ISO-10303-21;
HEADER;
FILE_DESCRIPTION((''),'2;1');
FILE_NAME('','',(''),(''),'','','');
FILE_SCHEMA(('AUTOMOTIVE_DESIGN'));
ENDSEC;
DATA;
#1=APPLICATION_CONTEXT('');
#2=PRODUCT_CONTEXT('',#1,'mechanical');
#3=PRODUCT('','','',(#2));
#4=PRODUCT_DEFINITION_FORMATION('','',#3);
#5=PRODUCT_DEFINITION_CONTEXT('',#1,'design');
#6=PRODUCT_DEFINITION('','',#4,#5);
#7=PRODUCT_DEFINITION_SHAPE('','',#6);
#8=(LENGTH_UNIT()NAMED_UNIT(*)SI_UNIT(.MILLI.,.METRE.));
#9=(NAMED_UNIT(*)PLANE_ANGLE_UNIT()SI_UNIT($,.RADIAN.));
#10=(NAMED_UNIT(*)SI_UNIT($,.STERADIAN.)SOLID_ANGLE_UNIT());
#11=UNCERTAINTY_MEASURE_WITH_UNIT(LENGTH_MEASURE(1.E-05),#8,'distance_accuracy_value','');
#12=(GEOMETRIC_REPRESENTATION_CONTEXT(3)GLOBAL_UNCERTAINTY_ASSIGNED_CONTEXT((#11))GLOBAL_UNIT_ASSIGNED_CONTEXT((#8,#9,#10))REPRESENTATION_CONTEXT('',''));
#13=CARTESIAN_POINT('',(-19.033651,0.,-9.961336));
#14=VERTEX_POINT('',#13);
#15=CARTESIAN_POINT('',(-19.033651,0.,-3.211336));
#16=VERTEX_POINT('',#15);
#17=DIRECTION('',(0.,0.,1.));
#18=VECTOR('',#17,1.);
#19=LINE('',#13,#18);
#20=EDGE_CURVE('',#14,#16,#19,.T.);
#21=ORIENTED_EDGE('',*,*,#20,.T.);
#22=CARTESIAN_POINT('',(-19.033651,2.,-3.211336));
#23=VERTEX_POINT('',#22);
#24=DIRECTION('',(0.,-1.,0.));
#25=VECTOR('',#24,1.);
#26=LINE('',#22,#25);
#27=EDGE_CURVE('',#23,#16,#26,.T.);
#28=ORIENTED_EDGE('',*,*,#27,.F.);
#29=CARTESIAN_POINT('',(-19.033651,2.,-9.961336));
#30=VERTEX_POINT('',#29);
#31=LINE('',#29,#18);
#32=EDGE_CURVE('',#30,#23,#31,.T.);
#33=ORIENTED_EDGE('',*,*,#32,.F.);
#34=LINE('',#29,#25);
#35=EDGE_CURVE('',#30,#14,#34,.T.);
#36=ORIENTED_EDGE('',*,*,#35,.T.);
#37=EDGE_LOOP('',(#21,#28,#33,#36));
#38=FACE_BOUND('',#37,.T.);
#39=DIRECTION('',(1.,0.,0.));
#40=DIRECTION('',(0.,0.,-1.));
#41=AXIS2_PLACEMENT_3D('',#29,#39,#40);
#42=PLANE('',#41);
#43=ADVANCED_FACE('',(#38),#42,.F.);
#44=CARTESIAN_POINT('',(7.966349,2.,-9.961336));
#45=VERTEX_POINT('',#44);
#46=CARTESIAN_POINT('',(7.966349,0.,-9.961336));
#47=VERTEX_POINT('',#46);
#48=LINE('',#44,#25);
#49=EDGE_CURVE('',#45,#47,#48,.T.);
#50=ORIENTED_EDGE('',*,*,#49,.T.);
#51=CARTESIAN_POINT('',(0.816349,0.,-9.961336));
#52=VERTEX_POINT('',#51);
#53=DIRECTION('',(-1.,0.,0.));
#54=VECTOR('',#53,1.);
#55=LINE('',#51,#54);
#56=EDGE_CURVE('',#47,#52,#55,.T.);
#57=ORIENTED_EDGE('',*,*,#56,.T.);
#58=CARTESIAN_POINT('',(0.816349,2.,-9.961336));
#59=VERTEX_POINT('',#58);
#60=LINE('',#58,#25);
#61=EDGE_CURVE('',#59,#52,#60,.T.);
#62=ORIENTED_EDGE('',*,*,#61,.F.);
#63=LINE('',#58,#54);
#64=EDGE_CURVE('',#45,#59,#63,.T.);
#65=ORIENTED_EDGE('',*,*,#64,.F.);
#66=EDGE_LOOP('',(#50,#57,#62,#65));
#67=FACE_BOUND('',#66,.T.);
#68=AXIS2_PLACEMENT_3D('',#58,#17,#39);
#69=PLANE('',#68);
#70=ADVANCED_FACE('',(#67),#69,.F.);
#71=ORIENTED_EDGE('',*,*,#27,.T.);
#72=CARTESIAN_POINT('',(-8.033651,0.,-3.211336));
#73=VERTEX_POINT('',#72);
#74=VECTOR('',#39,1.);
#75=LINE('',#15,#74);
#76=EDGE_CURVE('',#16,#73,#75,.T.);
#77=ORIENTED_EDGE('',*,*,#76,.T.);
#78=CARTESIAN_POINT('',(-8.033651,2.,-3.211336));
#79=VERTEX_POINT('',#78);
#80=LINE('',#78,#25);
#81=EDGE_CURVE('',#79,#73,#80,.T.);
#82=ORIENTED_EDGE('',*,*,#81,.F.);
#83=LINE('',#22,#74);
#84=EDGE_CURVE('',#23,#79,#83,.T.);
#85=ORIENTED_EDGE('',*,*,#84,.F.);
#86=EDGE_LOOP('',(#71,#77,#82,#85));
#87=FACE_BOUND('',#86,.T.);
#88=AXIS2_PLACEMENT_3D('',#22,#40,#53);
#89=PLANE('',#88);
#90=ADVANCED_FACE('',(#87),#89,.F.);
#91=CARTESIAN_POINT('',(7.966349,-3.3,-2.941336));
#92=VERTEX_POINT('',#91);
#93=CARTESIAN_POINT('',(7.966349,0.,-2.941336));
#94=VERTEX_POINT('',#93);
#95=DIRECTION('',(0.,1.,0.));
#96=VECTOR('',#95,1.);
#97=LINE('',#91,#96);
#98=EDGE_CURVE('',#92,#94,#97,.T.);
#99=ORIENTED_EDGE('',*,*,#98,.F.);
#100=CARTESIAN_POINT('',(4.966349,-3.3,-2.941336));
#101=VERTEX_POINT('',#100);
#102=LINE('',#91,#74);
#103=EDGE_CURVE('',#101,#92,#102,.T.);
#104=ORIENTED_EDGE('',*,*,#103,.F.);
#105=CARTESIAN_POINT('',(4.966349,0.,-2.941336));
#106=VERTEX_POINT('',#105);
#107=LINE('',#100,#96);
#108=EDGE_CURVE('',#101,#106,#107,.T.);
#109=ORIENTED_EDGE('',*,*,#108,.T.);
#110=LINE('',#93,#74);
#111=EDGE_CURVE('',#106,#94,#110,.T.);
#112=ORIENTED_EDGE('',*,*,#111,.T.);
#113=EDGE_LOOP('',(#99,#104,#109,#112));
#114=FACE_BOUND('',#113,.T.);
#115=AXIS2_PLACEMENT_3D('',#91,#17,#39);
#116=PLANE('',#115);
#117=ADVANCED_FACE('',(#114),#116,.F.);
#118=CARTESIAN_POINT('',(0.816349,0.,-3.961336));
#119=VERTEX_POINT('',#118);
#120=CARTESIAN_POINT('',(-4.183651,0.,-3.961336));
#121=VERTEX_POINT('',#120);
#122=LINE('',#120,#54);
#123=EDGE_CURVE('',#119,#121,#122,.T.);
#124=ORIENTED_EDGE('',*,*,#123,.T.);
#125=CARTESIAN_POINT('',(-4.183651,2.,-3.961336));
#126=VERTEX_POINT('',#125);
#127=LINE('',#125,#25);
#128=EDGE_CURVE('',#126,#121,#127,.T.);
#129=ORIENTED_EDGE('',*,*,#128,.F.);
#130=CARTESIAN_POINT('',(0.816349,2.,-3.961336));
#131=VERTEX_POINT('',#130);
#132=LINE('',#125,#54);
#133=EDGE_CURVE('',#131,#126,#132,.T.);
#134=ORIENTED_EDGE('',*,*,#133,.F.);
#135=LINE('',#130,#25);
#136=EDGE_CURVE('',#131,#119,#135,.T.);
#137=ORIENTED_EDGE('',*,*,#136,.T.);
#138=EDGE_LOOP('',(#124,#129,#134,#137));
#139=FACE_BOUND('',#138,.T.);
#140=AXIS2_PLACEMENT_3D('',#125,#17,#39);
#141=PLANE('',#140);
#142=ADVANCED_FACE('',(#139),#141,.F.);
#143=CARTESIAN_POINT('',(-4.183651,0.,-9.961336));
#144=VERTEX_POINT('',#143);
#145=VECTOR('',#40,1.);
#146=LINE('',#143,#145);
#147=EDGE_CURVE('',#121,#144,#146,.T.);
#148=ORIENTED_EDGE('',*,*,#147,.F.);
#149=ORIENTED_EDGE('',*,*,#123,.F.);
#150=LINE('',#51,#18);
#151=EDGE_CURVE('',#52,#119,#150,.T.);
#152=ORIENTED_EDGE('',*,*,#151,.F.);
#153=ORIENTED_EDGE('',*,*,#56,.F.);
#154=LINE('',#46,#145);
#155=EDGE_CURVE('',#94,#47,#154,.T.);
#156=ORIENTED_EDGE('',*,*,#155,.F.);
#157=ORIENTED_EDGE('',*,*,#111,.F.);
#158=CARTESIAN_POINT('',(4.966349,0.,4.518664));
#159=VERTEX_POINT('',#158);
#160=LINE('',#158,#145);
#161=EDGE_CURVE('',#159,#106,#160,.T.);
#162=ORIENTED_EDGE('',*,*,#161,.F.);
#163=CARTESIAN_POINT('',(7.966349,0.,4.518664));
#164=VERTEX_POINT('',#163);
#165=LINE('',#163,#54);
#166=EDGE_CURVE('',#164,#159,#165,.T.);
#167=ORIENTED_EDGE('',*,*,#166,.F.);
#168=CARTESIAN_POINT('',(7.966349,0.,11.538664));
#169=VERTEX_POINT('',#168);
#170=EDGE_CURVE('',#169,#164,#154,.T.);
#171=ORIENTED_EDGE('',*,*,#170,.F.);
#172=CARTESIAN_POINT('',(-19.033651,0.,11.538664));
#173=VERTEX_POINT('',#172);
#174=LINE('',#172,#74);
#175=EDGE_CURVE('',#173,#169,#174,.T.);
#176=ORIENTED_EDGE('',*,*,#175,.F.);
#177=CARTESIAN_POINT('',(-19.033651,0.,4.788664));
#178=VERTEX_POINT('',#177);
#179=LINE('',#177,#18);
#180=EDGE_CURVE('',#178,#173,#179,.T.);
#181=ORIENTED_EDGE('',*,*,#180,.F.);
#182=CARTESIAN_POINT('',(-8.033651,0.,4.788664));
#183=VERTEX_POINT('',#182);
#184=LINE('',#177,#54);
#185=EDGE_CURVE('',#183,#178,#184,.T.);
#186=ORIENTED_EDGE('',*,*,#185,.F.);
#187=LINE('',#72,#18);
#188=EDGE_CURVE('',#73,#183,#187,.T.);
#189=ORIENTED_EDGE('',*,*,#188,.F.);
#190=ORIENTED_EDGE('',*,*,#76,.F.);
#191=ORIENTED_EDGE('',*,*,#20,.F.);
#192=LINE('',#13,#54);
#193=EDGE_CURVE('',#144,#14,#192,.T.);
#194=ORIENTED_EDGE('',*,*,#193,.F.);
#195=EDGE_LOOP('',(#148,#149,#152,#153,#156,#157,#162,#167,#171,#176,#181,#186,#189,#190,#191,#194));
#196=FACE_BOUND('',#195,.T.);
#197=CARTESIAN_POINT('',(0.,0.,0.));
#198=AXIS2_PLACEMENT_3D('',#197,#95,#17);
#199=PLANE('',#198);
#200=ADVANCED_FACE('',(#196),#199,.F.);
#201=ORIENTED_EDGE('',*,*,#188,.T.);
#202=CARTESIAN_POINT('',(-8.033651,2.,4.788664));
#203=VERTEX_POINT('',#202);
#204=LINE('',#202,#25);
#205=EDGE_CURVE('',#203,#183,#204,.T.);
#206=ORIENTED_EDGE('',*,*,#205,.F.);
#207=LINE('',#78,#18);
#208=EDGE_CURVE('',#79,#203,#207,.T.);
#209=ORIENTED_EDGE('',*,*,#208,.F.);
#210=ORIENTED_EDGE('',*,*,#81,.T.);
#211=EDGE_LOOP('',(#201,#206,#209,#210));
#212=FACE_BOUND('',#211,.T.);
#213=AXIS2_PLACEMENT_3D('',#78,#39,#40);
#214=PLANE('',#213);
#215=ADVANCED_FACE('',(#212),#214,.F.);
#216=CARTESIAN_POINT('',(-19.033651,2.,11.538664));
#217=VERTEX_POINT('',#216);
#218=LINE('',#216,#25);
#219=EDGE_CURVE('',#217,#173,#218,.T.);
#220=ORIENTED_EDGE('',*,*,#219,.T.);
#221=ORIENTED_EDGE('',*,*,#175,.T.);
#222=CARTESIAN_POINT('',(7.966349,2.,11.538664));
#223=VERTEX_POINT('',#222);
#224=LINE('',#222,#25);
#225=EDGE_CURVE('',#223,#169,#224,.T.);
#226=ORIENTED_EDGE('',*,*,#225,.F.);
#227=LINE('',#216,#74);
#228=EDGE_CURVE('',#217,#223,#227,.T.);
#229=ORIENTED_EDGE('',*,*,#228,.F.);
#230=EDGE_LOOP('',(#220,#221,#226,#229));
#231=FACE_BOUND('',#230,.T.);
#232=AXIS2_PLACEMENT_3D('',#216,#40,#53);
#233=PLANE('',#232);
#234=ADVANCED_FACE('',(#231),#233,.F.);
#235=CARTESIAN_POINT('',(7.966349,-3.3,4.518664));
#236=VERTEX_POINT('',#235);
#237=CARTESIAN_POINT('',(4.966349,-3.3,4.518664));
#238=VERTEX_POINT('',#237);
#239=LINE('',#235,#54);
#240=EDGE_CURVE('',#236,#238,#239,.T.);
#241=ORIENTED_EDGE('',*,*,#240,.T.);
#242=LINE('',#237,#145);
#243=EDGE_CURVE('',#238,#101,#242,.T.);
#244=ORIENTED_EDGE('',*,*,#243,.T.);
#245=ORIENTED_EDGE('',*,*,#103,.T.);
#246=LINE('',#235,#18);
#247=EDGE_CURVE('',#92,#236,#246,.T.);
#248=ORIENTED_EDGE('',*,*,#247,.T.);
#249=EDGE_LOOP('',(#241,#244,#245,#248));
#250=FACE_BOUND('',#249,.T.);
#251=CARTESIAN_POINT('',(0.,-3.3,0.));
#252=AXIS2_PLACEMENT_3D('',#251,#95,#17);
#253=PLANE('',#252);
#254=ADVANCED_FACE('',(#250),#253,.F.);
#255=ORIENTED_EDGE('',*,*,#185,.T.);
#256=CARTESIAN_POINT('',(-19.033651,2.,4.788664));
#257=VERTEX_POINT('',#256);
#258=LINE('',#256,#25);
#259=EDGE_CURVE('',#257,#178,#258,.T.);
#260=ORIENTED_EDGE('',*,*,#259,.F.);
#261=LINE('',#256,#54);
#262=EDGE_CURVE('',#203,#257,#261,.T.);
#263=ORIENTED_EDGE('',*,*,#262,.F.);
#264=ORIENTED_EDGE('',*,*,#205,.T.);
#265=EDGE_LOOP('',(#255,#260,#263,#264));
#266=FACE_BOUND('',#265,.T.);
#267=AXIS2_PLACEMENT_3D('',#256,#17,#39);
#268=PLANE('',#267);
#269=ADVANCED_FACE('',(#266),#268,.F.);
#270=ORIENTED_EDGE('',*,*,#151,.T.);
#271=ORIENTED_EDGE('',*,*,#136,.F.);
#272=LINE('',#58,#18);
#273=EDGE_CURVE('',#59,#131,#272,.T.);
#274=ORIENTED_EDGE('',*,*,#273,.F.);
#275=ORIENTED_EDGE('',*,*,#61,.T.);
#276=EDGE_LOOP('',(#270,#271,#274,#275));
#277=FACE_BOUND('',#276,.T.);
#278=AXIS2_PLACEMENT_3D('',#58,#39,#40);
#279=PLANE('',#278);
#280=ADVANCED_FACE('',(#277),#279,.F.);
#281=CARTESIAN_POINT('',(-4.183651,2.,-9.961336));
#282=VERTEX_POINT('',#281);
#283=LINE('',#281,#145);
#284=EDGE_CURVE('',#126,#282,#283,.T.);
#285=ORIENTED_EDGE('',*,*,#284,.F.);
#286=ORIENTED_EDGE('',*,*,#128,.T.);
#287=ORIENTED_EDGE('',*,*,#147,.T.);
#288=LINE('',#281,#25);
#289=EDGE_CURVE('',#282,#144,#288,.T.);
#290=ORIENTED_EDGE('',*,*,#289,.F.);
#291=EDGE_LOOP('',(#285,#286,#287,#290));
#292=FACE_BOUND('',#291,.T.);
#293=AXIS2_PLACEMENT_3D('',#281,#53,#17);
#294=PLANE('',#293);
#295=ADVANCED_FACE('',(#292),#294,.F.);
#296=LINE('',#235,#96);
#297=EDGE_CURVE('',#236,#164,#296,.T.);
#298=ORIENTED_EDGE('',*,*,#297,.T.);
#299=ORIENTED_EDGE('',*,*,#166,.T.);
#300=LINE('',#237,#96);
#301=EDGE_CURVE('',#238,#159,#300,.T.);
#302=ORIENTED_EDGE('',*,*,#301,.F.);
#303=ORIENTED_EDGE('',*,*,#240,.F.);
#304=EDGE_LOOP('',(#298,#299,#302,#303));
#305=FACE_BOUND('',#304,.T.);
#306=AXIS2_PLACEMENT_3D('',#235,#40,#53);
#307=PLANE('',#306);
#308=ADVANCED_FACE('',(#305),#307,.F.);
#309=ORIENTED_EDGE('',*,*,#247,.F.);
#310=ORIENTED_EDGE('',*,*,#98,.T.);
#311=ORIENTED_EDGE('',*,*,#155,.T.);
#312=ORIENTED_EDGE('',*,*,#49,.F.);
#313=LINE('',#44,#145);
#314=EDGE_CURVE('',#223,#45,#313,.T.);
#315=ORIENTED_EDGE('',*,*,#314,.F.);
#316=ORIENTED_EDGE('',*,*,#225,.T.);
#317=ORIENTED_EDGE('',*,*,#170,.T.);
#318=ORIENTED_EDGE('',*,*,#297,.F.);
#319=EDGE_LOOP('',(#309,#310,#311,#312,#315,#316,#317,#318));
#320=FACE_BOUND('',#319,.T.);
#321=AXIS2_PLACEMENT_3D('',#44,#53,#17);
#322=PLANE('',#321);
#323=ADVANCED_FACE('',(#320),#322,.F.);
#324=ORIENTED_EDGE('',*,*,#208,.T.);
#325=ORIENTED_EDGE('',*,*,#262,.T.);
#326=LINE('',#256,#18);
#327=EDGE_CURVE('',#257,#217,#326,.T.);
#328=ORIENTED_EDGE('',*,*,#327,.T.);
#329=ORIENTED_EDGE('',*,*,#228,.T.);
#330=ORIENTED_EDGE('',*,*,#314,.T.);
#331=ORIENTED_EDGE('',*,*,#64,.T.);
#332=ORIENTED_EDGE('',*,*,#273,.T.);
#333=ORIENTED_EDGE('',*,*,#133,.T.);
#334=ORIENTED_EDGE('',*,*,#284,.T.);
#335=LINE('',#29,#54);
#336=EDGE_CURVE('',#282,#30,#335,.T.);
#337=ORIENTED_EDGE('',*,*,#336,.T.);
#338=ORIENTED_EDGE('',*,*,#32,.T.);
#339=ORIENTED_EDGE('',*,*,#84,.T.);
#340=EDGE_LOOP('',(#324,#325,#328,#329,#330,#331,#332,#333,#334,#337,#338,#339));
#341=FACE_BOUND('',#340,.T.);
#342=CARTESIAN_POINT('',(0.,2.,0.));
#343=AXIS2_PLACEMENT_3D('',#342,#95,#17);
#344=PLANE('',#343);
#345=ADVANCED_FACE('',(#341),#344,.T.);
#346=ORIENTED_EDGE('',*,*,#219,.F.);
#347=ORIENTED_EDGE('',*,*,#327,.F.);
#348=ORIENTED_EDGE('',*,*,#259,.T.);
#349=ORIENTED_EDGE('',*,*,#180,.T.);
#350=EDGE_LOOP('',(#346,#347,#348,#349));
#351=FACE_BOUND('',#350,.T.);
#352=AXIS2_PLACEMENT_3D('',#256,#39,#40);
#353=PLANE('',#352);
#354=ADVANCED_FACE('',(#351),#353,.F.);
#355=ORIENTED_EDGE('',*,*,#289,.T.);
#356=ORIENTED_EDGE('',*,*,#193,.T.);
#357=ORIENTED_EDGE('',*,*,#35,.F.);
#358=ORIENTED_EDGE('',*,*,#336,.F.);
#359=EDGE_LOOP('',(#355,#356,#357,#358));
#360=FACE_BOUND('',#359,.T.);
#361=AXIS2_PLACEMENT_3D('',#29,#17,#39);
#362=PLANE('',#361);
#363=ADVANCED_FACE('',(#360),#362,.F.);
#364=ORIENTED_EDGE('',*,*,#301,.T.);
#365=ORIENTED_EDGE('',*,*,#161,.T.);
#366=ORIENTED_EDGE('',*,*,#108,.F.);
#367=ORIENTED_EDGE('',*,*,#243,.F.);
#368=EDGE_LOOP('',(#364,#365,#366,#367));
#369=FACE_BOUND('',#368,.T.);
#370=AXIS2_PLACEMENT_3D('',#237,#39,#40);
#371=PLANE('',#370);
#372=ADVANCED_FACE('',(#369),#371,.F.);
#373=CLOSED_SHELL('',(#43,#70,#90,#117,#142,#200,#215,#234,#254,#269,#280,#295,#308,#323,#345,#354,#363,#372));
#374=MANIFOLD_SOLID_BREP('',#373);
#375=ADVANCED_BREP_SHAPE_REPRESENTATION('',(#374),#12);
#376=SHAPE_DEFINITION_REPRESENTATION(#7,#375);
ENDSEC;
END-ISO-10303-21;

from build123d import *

# Parameters (mm, degrees)
BOSS_EXTRUDE1_DEPTH = 2
SKETCH2_W           = 3
SKETCH2_H           = 7.46
BOSS_EXTRUDE2_DEPTH = 3.3


with BuildPart() as part:
    # Sketch1 → Boss-Extrude1 (new body)
    with BuildSketch(Plane(origin=(0, 0, 0), x_dir=(1, 0, 0), z_dir=(0, 1, 0))):
        Polygon((-19.033651007, 9.961336175), (-4.183651007, 9.961336175), (-4.183651007, 3.961336175), (0.816348993, 3.961336175), (0.816348993, 9.961336175), (7.966348993, 9.961336175), (7.966348993, -11.538663825), (-19.033651007, -11.538663825), (-19.033651007, -4.788663825), (-8.033651007, -4.788663825), (-8.033651007, 3.211336175), (-19.033651007, 3.211336175), align=None)
    extrude(amount=BOSS_EXTRUDE1_DEPTH)

    # Sketch2 → Boss-Extrude2 (add)
    with BuildSketch(Plane.XZ):
        with Locations((6.466348993, 0.788663825)):
            Rectangle(SKETCH2_W, SKETCH2_H)
    extrude(amount=BOSS_EXTRUDE2_DEPTH)


solid = part.part
